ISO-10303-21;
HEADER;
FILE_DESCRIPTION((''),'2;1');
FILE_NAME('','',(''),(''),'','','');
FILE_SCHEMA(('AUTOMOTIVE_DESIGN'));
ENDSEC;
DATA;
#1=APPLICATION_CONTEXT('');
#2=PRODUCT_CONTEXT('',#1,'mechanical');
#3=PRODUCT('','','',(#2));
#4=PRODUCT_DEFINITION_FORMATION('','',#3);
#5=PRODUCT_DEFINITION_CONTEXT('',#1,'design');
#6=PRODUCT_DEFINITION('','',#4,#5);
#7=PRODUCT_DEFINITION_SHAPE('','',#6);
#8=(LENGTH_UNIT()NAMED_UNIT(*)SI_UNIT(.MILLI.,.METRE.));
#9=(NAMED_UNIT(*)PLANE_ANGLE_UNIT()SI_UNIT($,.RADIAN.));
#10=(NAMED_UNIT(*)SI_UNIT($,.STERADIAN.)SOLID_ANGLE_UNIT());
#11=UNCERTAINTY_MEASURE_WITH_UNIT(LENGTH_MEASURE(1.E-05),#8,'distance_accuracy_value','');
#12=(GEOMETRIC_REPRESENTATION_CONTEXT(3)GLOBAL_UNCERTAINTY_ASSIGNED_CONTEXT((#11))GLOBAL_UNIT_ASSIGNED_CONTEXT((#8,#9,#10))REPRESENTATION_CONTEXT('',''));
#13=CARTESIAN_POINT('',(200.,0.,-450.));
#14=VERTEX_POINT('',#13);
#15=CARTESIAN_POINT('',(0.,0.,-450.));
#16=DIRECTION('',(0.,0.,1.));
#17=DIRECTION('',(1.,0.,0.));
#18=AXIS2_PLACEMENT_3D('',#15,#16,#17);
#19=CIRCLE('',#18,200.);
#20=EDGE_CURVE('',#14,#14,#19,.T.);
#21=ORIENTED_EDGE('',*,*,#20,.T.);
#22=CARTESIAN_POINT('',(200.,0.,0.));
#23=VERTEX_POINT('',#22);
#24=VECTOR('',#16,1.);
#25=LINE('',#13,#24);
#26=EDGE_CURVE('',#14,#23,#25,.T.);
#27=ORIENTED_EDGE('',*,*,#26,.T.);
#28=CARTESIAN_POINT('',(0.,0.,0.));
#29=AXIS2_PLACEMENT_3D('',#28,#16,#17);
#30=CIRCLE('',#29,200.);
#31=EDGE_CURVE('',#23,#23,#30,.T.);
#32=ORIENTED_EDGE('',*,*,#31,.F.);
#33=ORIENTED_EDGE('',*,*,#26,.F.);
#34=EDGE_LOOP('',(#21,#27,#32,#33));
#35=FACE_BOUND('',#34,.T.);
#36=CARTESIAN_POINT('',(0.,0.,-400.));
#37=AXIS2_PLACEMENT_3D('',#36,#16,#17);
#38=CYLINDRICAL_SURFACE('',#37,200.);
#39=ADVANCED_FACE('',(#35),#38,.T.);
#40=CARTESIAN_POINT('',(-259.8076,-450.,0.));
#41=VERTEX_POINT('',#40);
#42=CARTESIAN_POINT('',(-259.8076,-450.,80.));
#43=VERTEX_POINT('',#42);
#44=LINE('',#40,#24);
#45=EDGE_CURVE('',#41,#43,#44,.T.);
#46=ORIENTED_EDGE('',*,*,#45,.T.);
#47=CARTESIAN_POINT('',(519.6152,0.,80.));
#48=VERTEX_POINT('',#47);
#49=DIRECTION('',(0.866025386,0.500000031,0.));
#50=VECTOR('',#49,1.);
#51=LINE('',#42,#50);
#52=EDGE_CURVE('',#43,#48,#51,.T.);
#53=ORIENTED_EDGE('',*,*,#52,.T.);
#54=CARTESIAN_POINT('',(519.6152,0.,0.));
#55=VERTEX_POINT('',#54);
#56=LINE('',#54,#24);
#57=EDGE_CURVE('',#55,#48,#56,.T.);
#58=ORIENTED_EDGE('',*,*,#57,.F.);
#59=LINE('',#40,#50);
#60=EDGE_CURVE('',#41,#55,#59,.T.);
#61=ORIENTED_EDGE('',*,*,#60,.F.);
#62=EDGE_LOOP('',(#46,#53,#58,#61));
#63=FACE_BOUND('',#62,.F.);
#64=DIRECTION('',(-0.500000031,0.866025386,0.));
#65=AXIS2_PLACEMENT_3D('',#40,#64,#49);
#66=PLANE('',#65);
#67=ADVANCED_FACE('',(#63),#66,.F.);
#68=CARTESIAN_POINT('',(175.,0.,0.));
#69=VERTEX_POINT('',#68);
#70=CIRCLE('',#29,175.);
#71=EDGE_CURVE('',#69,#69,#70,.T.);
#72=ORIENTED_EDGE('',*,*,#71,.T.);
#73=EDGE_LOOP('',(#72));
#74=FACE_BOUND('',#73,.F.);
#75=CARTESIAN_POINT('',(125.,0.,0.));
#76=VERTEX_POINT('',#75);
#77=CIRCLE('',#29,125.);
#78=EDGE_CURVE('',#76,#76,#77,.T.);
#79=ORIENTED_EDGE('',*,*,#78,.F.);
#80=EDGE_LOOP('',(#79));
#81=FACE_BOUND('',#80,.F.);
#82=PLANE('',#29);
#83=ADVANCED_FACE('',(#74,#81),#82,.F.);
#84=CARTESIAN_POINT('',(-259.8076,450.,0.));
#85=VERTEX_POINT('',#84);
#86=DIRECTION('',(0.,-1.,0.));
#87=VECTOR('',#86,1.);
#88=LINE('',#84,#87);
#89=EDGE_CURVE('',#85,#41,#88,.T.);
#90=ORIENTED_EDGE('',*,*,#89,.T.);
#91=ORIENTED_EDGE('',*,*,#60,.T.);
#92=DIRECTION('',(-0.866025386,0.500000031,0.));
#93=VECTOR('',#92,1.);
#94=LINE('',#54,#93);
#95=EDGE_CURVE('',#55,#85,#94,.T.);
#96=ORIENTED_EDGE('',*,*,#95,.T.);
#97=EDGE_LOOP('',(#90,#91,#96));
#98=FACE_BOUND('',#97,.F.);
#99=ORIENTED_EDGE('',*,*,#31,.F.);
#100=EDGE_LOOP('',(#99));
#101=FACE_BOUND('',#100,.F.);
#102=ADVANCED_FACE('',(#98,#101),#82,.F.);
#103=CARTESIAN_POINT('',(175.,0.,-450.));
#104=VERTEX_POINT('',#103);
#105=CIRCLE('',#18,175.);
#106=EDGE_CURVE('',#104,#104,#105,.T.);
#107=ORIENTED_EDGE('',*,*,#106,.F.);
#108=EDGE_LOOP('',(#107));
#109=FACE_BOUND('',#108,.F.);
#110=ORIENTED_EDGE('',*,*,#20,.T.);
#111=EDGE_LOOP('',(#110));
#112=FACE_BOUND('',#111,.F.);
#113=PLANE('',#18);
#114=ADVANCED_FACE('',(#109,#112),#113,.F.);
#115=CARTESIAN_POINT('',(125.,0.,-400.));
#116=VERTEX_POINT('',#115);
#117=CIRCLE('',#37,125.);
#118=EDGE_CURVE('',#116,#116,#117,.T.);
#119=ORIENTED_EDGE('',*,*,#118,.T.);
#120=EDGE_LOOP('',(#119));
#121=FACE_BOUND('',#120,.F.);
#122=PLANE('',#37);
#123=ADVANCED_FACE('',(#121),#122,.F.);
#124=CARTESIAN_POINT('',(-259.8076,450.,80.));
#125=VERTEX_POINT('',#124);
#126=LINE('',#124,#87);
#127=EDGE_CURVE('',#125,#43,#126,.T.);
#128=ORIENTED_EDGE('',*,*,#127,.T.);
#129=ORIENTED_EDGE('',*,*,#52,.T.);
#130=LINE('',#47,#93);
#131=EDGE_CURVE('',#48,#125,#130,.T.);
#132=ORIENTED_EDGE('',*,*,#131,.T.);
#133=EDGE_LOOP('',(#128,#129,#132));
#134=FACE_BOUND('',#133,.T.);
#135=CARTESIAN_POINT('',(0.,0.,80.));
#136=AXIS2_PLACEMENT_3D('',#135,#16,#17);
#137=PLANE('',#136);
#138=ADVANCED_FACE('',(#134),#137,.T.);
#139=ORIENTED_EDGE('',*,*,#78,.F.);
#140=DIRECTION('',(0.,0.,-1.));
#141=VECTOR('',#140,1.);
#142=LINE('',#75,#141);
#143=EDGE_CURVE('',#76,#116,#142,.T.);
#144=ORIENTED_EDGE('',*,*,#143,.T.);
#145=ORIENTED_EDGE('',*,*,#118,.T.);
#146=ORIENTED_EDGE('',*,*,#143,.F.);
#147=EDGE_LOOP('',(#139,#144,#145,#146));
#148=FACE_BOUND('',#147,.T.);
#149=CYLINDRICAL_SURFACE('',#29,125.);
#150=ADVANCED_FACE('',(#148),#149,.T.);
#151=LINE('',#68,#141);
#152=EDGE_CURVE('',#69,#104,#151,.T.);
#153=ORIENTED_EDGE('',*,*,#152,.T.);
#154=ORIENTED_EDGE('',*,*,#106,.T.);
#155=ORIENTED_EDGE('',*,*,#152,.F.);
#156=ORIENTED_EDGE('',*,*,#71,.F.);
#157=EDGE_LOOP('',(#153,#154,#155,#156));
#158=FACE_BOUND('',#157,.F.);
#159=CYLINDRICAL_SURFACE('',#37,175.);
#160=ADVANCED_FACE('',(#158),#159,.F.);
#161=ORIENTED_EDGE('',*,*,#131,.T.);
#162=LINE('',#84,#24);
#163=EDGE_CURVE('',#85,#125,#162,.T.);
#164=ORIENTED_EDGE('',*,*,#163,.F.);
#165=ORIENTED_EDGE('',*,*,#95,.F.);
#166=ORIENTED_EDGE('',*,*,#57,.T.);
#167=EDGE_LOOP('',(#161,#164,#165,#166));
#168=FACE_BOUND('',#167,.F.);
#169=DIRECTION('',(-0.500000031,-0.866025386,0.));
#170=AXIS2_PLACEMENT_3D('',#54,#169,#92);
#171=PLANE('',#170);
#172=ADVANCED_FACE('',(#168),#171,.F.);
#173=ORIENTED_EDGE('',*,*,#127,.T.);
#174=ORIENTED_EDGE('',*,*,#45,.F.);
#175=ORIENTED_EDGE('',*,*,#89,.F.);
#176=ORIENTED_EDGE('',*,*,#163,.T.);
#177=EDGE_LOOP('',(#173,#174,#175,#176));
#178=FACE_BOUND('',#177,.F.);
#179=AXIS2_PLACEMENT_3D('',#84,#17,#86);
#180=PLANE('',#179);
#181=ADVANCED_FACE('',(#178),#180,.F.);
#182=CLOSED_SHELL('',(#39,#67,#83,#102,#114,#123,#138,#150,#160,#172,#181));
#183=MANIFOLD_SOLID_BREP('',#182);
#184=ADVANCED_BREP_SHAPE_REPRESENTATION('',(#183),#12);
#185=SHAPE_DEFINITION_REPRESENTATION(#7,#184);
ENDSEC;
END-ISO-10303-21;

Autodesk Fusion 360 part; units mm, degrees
sketch "Sketch2" plane through (0, 0, 0) normal (0, 0, 1) x (1, 0, 0)
  line L0 (519.6152, 0) -> (-259.8076, 450)
  line L1 (-259.8076, 450) -> (-259.8076, -450)
  line L2 (-259.8076, -450) -> (519.6152, 0)
  dimension "d4" = 900
extrude "Extrude2" add sketch "Sketch2" along normal blind 80
sketch "Sketch3" plane through (0, 0, 0) normal (0, 0, 1) x (1, 0, 0)
  circle A0 centre (0, 0) radius 125
  circle A1 centre (0, 0) radius 200
  circle A2 centre (0, 0) radius 175
  dimension "d7" = 250
  dimension "d8" = 400
  dimension "d9" = 350
extrude "Extrude3" add sketch "Sketch3" against normal blind 200 contours A0
extrude "Extrude4" add sketch "Sketch3" against normal blind 500 contours A1
extrude "Extrude5" cut 1 faces at (62.6805, -21.2553, -200) along direction (0, 0, 1) blind 200
extrude "Extrude6" add sketch "Sketch3" against normal blind 400 contours A0
extrude "Extrude7" cut 1 faces at (190.2705, -18.6303, -500) along direction (0, 0, 1) blind 100
extrude "Extrude8" add 1 faces at (190.2705, -18.6303, -400) along direction (0, 0, -1) blind 50
